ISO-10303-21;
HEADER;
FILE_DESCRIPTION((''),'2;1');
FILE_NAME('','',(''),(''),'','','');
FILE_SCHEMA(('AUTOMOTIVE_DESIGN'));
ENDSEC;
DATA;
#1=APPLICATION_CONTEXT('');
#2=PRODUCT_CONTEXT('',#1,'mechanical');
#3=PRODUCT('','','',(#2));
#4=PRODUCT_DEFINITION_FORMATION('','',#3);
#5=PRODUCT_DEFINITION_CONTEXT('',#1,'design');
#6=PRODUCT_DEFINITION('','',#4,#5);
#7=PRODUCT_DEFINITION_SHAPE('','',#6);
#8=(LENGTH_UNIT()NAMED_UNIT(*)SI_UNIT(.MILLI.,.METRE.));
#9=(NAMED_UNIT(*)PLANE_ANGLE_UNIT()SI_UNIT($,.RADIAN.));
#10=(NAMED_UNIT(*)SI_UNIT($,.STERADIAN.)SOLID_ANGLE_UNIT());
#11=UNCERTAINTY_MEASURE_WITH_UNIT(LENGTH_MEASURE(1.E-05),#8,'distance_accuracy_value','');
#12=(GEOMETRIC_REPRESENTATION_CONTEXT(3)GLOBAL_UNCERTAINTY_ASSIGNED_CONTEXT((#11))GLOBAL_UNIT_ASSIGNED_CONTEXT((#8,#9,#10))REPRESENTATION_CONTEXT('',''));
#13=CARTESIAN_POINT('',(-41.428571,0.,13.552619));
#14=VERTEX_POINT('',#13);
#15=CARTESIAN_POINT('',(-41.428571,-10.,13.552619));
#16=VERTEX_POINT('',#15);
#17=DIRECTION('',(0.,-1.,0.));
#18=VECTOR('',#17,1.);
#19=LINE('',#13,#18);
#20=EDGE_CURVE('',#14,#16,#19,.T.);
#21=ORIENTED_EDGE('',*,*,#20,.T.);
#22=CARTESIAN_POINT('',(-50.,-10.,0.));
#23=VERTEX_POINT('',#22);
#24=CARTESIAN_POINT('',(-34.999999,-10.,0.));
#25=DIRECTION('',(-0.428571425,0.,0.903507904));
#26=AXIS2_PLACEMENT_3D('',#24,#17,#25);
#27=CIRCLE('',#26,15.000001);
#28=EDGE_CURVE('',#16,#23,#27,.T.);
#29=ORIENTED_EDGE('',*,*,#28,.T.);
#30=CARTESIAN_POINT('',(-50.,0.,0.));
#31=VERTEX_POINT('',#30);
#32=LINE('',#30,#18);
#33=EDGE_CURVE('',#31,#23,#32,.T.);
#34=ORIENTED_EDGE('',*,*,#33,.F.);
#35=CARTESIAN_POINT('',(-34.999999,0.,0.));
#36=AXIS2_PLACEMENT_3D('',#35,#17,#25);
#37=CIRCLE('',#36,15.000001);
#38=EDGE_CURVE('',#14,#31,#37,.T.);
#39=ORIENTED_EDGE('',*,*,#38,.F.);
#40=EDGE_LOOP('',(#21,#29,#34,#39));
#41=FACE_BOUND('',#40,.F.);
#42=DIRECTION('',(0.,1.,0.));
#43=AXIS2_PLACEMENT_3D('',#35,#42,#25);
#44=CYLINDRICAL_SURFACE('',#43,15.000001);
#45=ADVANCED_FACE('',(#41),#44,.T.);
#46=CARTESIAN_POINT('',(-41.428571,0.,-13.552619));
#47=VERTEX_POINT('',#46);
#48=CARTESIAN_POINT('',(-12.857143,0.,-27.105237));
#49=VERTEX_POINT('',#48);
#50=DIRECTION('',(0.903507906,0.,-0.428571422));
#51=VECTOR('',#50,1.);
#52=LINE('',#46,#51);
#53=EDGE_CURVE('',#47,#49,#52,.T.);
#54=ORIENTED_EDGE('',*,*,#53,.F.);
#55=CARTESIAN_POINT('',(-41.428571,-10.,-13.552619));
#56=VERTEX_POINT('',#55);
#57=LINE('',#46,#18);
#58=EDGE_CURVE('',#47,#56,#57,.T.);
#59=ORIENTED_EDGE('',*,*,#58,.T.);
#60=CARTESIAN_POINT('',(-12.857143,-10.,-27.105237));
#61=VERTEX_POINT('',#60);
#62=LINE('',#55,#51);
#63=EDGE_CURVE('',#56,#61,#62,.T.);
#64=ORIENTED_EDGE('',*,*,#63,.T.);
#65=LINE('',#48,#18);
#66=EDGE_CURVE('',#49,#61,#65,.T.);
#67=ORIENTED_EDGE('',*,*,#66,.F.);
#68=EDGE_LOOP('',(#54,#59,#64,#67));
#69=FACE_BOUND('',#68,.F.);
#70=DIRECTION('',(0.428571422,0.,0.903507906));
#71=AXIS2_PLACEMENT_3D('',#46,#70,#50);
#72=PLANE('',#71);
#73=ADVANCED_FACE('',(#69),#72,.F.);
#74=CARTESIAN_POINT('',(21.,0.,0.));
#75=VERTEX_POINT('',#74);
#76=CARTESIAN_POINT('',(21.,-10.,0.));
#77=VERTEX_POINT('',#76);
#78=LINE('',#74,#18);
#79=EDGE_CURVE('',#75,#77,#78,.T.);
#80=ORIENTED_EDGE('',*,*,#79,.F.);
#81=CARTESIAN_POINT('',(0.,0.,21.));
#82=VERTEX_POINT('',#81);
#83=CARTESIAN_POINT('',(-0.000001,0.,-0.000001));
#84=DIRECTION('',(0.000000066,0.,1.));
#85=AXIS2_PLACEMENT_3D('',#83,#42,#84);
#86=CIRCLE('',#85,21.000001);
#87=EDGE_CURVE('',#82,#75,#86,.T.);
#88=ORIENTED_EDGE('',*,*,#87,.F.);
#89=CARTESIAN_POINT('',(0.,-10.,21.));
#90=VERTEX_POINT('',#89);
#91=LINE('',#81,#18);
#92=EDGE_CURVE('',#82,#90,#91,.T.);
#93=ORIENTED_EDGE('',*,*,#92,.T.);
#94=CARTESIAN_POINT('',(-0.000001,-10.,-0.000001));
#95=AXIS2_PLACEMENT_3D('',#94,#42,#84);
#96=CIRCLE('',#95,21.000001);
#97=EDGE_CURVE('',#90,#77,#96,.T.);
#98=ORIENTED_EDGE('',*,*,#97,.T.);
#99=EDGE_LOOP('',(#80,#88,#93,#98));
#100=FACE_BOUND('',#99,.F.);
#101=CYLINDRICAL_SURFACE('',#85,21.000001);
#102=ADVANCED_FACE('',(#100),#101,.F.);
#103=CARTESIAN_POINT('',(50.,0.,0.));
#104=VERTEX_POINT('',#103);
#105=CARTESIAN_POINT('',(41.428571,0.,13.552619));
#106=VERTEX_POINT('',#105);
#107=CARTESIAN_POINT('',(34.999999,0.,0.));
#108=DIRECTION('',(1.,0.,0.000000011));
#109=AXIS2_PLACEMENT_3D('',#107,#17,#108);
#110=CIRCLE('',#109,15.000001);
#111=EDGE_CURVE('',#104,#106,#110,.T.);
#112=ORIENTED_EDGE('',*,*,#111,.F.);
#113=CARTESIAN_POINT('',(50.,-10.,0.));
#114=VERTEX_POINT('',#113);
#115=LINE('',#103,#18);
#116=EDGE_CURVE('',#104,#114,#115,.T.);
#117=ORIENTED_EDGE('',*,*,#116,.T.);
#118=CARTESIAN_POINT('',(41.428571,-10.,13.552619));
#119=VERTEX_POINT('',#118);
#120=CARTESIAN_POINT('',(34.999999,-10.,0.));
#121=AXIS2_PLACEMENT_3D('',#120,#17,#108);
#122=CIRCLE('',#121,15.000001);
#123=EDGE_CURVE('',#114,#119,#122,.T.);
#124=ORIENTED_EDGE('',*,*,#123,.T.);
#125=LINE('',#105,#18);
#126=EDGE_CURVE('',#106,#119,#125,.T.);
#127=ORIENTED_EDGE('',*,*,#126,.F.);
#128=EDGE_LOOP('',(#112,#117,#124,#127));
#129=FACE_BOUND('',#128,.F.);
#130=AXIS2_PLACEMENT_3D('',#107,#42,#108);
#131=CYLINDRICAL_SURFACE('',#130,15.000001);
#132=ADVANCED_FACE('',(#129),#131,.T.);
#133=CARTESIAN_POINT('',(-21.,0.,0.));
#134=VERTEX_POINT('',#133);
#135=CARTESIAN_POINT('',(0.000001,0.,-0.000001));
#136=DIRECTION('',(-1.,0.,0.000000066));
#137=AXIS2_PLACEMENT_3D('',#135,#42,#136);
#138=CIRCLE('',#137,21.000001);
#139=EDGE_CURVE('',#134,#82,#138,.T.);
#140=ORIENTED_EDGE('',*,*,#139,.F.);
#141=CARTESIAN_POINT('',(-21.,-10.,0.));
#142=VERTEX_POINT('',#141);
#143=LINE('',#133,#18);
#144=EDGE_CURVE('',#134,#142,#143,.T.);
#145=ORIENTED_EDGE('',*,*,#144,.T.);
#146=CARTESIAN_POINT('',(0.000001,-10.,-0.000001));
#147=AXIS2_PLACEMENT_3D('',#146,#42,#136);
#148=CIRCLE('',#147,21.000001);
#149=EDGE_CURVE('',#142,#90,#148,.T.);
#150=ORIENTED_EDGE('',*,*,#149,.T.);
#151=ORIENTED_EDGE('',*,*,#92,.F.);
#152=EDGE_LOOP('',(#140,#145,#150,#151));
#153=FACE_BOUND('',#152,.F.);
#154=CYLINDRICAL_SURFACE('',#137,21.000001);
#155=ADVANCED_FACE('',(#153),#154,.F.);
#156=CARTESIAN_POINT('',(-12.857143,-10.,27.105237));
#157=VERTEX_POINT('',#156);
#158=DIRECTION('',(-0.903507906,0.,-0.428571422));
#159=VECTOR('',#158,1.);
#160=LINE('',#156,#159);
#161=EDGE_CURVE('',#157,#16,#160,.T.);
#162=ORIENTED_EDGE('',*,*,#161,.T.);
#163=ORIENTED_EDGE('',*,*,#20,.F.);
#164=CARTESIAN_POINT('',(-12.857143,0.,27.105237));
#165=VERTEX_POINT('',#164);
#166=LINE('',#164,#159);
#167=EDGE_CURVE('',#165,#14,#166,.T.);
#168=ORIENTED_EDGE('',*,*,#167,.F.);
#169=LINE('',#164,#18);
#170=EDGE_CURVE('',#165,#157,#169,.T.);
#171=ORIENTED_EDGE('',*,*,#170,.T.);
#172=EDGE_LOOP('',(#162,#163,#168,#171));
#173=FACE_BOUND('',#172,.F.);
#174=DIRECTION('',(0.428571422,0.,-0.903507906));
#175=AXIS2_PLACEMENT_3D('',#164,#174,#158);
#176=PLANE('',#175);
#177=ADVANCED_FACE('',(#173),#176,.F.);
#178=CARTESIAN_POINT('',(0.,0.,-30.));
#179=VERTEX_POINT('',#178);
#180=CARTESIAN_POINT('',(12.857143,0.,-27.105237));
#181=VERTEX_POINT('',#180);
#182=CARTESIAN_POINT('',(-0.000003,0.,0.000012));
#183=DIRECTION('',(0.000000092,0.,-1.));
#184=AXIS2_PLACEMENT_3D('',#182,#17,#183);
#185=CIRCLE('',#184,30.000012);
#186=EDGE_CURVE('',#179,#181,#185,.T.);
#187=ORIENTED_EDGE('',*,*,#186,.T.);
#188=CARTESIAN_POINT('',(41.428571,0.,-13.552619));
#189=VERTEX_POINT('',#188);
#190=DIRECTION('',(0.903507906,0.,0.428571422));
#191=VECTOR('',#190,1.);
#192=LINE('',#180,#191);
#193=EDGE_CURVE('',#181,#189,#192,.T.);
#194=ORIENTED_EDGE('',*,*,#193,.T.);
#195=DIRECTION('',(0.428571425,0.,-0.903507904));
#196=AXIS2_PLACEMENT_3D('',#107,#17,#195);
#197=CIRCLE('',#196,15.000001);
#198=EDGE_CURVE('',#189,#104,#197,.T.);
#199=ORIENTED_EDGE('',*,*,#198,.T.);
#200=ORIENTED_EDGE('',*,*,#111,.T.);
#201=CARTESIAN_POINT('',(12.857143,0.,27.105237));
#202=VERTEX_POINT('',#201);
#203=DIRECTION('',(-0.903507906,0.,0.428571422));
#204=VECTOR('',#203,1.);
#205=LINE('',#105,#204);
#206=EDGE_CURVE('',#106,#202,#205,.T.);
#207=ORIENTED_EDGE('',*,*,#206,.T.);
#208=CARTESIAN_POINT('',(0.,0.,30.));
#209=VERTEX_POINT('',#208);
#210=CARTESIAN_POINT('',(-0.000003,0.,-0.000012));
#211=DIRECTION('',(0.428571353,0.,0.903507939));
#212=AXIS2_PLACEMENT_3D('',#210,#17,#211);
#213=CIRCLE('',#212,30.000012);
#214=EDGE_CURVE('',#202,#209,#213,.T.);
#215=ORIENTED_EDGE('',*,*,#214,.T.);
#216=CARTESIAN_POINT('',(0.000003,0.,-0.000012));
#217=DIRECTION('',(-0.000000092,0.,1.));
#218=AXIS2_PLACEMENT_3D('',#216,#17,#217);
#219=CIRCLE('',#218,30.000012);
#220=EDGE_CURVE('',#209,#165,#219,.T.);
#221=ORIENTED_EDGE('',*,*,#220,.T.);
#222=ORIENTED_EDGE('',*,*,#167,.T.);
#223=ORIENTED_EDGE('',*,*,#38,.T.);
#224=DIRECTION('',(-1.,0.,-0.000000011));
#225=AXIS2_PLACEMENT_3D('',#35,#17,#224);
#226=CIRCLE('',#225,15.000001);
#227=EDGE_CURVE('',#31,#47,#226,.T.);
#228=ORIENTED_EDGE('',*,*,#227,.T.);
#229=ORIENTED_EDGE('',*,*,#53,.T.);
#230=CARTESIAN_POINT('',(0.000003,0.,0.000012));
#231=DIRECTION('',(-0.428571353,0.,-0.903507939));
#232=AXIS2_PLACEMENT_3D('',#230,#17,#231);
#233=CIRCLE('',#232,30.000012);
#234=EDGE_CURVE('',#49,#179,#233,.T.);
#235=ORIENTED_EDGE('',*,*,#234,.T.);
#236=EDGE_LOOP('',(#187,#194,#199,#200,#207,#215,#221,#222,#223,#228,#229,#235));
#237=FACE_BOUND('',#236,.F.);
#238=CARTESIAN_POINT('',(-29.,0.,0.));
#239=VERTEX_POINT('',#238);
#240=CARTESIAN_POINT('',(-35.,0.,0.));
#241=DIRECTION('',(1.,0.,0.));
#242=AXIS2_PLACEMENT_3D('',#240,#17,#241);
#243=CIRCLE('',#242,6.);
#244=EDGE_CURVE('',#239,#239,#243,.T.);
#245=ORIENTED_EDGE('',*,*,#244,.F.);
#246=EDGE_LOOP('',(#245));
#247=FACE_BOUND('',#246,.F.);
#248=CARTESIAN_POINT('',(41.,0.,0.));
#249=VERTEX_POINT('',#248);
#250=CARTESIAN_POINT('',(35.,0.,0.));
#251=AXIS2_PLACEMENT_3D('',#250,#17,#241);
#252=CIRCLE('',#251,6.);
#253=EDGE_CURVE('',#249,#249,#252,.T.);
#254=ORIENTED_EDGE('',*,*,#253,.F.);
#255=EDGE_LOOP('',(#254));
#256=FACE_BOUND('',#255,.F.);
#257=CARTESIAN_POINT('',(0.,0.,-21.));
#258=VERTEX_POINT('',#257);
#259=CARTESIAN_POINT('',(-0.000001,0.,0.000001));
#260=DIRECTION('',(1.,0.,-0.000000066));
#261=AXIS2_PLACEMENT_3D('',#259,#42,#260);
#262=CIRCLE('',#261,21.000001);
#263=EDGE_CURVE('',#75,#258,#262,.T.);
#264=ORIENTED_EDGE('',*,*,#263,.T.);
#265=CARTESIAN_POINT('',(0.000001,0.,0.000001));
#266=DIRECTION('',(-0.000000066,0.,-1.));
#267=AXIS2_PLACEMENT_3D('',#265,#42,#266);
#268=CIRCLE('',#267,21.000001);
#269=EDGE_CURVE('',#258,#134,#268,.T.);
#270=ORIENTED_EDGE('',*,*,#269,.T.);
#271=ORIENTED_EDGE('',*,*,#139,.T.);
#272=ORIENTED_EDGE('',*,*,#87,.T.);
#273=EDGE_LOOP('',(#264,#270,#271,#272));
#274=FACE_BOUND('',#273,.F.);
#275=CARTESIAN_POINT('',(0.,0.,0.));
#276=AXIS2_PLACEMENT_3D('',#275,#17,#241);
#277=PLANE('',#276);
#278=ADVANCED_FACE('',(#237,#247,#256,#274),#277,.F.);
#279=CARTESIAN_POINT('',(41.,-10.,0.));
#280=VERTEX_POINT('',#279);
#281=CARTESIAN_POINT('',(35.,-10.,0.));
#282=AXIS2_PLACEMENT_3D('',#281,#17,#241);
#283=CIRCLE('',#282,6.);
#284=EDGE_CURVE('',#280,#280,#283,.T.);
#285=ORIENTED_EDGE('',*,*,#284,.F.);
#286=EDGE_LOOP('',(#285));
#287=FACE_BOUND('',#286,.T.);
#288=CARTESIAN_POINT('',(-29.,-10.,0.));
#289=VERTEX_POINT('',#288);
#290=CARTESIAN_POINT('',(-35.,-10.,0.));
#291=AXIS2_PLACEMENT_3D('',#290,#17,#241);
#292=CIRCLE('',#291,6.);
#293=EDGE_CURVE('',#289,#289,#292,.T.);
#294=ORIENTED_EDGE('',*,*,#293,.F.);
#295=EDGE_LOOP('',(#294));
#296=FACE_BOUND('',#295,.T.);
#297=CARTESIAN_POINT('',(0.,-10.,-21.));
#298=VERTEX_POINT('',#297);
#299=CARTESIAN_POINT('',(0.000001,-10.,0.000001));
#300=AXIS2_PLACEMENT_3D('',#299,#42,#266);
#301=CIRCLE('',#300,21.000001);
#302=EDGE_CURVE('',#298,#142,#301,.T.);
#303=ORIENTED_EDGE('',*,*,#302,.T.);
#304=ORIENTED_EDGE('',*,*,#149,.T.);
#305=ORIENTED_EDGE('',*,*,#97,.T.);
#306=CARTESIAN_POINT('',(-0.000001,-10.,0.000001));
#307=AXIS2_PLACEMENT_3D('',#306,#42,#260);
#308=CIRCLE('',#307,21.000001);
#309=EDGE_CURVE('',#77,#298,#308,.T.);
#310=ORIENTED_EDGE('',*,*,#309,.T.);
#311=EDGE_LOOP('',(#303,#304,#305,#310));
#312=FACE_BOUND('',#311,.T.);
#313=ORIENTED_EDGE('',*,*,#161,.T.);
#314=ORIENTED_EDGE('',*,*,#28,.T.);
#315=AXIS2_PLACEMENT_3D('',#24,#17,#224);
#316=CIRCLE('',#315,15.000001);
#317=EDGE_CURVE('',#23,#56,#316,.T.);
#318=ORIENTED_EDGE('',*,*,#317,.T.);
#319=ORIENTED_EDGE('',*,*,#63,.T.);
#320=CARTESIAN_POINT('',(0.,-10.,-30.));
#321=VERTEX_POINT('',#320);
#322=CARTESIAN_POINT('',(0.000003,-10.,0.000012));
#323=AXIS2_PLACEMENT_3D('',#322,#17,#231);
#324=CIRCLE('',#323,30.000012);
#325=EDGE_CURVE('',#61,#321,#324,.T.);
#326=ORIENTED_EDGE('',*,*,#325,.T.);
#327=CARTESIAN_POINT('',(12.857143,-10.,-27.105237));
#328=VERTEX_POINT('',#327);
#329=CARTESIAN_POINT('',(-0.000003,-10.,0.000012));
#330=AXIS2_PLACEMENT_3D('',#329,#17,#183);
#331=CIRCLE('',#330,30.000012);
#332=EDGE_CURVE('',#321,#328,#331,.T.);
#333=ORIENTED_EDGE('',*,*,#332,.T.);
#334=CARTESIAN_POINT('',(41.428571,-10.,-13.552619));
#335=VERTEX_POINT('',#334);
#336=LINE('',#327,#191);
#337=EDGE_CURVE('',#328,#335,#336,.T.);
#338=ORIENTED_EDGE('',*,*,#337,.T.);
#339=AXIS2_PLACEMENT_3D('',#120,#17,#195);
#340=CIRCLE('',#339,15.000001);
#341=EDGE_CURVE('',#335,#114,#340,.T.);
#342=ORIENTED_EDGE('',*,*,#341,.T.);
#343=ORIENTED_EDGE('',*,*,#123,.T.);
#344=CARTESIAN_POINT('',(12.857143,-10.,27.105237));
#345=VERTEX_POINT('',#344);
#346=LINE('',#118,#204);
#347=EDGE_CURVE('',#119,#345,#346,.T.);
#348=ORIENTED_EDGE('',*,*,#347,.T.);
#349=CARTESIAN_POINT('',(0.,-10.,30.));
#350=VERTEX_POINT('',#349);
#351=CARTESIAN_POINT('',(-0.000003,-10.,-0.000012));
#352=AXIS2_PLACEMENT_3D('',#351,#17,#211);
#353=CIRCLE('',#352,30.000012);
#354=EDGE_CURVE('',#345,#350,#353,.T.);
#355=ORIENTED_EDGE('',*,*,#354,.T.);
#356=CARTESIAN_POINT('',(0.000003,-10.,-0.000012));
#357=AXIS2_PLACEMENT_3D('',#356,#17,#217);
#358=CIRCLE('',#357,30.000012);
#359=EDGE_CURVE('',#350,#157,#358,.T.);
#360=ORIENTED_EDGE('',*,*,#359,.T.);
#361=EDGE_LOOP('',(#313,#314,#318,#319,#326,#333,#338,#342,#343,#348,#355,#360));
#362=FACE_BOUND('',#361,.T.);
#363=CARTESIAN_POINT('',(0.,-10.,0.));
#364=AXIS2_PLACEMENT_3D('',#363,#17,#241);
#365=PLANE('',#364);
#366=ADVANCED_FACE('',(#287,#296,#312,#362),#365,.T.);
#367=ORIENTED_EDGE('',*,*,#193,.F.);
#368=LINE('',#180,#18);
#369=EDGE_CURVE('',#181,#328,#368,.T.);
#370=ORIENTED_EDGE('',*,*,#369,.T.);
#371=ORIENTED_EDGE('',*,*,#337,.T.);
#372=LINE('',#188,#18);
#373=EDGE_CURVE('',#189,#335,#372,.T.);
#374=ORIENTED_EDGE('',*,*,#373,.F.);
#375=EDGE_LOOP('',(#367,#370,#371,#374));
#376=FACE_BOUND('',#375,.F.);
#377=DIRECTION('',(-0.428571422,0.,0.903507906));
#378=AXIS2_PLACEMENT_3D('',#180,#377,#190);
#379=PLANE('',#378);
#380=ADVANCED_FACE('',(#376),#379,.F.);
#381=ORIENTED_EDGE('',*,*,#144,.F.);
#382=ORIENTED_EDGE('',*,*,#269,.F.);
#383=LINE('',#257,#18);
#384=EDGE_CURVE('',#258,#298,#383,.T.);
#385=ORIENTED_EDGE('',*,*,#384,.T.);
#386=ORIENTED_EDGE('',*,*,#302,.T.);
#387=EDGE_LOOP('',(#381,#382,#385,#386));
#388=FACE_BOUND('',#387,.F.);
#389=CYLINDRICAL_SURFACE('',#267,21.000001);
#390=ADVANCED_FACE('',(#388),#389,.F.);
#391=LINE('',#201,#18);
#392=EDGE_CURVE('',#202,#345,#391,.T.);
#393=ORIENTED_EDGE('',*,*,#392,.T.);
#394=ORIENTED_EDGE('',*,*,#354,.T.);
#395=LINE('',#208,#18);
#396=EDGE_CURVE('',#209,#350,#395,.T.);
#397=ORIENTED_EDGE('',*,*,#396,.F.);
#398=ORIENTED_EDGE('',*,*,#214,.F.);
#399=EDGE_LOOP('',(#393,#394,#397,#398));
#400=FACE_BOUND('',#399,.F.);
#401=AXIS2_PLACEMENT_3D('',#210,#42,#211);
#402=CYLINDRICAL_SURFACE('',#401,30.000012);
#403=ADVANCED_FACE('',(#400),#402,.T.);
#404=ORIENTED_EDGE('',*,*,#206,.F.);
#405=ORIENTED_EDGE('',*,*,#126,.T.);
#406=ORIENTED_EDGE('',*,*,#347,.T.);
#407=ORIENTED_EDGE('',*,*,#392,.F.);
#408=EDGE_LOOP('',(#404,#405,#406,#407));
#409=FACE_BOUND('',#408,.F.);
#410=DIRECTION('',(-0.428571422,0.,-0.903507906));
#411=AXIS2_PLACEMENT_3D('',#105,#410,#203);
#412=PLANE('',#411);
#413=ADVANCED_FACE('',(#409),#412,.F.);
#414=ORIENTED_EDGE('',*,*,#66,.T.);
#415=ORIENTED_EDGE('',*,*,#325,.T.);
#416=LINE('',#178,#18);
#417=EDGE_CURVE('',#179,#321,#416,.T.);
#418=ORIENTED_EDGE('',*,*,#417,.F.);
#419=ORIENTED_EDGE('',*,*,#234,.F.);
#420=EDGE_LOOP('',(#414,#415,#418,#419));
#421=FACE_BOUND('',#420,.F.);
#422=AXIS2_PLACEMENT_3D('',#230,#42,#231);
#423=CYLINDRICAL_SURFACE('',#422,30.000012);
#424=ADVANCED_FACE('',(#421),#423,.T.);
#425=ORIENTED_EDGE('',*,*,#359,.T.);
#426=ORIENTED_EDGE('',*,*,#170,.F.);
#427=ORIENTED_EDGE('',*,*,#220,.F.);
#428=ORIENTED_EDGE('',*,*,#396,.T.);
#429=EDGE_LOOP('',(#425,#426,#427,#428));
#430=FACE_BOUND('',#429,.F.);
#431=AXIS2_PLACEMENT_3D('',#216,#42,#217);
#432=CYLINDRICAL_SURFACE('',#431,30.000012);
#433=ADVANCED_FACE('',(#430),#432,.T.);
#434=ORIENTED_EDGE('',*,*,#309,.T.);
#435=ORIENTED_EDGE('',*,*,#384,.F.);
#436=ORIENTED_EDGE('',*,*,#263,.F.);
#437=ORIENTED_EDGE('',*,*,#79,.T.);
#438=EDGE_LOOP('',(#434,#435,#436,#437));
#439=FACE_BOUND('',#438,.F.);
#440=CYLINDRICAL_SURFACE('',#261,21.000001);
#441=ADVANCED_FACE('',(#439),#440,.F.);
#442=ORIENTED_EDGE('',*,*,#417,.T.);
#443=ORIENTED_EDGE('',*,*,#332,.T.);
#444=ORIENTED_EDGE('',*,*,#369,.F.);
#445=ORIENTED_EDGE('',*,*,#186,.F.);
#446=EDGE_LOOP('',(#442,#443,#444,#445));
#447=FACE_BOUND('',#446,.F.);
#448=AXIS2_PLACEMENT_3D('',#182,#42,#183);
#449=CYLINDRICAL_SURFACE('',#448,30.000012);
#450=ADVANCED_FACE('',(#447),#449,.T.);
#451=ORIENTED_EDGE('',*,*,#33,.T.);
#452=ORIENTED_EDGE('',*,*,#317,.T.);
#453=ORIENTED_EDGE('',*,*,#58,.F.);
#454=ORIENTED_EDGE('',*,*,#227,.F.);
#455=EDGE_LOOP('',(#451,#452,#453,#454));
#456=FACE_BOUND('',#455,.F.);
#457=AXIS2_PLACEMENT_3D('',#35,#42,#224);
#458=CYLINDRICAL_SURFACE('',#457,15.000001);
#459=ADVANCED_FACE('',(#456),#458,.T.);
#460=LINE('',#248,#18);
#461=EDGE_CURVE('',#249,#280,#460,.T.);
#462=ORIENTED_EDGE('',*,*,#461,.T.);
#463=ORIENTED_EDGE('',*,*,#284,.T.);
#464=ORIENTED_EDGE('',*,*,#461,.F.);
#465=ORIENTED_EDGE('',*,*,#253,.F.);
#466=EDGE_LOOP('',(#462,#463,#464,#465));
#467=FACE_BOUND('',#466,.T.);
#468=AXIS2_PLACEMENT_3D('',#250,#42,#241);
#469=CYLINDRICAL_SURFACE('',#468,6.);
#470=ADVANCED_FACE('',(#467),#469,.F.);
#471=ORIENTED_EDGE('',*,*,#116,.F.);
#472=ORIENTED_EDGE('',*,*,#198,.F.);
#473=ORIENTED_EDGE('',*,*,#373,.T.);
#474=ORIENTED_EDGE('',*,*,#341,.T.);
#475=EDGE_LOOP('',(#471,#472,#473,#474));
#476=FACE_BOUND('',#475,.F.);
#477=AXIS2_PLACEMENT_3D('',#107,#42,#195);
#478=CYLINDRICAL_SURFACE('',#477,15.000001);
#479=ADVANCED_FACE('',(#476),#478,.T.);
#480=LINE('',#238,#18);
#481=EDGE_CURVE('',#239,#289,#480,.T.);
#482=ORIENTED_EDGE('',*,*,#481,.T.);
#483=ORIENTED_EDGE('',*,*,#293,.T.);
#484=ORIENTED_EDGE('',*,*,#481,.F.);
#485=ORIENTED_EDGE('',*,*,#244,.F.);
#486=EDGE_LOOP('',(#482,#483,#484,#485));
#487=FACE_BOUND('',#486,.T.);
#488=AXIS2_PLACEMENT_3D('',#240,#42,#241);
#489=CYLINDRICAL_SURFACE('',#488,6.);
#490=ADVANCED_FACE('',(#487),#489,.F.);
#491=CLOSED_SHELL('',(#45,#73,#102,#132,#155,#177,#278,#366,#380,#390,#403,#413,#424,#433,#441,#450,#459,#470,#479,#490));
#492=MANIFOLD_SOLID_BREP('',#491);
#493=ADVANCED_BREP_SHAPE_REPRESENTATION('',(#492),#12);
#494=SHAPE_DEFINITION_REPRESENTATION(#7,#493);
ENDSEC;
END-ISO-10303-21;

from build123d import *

# Parameters (mm, degrees)
F0_R     = 6
F1_DEPTH = 10


with BuildPart() as f1:
    # F0 (on Front) → F1 (new body)
    with BuildSketch(Plane.XZ):
        with BuildLine():
            Line((41.428571, 13.552619), (12.857143, 27.105237))
            ThreePointArc((12.857143, 27.105237), (6.589495, 29.267363), (0, 30))
            ThreePointArc((0, 30), (-6.589495, 29.267363), (-12.857143, 27.105237))
            Line((-12.857143, 27.105237), (-41.428571, 13.552619))
            ThreePointArc((-41.428571, 13.552619), (-47.677314, 8.017837), (-50, 0))
            ThreePointArc((-50, 0), (-47.677314, -8.017837), (-41.428571, -13.552619))
            Line((-41.428571, -13.552619), (-12.857143, -27.105237))
            ThreePointArc((-12.857143, -27.105237), (-6.589495, -29.267363), (0, -30))
            ThreePointArc((0, -30), (6.589495, -29.267363), (12.857143, -27.105237))
            Line((12.857143, -27.105237), (41.428571, -13.552619))
            ThreePointArc((41.428571, -13.552619), (47.677314, -8.017837), (50, 0))
            ThreePointArc((50, 0), (47.677314, 8.017837), (41.428571, 13.552619))
        make_face()
        with Locations((-35, 0)):
            Circle(F0_R, mode=Mode.SUBTRACT)
        with BuildLine():
            ThreePointArc((0, 21), (14.849242, 14.849242), (21, 0))
            ThreePointArc((21, 0), (14.849242, -14.849242), (0, -21))
            ThreePointArc((0, -21), (-14.849242, -14.849242), (-21, 0))
            ThreePointArc((-21, 0), (-14.849242, 14.849242), (0, 21))
        make_face(mode=Mode.SUBTRACT)
        with Locations((35, 0)):
            Circle(F0_R, mode=Mode.SUBTRACT)
    extrude(amount=F1_DEPTH)


solid = f1.part
